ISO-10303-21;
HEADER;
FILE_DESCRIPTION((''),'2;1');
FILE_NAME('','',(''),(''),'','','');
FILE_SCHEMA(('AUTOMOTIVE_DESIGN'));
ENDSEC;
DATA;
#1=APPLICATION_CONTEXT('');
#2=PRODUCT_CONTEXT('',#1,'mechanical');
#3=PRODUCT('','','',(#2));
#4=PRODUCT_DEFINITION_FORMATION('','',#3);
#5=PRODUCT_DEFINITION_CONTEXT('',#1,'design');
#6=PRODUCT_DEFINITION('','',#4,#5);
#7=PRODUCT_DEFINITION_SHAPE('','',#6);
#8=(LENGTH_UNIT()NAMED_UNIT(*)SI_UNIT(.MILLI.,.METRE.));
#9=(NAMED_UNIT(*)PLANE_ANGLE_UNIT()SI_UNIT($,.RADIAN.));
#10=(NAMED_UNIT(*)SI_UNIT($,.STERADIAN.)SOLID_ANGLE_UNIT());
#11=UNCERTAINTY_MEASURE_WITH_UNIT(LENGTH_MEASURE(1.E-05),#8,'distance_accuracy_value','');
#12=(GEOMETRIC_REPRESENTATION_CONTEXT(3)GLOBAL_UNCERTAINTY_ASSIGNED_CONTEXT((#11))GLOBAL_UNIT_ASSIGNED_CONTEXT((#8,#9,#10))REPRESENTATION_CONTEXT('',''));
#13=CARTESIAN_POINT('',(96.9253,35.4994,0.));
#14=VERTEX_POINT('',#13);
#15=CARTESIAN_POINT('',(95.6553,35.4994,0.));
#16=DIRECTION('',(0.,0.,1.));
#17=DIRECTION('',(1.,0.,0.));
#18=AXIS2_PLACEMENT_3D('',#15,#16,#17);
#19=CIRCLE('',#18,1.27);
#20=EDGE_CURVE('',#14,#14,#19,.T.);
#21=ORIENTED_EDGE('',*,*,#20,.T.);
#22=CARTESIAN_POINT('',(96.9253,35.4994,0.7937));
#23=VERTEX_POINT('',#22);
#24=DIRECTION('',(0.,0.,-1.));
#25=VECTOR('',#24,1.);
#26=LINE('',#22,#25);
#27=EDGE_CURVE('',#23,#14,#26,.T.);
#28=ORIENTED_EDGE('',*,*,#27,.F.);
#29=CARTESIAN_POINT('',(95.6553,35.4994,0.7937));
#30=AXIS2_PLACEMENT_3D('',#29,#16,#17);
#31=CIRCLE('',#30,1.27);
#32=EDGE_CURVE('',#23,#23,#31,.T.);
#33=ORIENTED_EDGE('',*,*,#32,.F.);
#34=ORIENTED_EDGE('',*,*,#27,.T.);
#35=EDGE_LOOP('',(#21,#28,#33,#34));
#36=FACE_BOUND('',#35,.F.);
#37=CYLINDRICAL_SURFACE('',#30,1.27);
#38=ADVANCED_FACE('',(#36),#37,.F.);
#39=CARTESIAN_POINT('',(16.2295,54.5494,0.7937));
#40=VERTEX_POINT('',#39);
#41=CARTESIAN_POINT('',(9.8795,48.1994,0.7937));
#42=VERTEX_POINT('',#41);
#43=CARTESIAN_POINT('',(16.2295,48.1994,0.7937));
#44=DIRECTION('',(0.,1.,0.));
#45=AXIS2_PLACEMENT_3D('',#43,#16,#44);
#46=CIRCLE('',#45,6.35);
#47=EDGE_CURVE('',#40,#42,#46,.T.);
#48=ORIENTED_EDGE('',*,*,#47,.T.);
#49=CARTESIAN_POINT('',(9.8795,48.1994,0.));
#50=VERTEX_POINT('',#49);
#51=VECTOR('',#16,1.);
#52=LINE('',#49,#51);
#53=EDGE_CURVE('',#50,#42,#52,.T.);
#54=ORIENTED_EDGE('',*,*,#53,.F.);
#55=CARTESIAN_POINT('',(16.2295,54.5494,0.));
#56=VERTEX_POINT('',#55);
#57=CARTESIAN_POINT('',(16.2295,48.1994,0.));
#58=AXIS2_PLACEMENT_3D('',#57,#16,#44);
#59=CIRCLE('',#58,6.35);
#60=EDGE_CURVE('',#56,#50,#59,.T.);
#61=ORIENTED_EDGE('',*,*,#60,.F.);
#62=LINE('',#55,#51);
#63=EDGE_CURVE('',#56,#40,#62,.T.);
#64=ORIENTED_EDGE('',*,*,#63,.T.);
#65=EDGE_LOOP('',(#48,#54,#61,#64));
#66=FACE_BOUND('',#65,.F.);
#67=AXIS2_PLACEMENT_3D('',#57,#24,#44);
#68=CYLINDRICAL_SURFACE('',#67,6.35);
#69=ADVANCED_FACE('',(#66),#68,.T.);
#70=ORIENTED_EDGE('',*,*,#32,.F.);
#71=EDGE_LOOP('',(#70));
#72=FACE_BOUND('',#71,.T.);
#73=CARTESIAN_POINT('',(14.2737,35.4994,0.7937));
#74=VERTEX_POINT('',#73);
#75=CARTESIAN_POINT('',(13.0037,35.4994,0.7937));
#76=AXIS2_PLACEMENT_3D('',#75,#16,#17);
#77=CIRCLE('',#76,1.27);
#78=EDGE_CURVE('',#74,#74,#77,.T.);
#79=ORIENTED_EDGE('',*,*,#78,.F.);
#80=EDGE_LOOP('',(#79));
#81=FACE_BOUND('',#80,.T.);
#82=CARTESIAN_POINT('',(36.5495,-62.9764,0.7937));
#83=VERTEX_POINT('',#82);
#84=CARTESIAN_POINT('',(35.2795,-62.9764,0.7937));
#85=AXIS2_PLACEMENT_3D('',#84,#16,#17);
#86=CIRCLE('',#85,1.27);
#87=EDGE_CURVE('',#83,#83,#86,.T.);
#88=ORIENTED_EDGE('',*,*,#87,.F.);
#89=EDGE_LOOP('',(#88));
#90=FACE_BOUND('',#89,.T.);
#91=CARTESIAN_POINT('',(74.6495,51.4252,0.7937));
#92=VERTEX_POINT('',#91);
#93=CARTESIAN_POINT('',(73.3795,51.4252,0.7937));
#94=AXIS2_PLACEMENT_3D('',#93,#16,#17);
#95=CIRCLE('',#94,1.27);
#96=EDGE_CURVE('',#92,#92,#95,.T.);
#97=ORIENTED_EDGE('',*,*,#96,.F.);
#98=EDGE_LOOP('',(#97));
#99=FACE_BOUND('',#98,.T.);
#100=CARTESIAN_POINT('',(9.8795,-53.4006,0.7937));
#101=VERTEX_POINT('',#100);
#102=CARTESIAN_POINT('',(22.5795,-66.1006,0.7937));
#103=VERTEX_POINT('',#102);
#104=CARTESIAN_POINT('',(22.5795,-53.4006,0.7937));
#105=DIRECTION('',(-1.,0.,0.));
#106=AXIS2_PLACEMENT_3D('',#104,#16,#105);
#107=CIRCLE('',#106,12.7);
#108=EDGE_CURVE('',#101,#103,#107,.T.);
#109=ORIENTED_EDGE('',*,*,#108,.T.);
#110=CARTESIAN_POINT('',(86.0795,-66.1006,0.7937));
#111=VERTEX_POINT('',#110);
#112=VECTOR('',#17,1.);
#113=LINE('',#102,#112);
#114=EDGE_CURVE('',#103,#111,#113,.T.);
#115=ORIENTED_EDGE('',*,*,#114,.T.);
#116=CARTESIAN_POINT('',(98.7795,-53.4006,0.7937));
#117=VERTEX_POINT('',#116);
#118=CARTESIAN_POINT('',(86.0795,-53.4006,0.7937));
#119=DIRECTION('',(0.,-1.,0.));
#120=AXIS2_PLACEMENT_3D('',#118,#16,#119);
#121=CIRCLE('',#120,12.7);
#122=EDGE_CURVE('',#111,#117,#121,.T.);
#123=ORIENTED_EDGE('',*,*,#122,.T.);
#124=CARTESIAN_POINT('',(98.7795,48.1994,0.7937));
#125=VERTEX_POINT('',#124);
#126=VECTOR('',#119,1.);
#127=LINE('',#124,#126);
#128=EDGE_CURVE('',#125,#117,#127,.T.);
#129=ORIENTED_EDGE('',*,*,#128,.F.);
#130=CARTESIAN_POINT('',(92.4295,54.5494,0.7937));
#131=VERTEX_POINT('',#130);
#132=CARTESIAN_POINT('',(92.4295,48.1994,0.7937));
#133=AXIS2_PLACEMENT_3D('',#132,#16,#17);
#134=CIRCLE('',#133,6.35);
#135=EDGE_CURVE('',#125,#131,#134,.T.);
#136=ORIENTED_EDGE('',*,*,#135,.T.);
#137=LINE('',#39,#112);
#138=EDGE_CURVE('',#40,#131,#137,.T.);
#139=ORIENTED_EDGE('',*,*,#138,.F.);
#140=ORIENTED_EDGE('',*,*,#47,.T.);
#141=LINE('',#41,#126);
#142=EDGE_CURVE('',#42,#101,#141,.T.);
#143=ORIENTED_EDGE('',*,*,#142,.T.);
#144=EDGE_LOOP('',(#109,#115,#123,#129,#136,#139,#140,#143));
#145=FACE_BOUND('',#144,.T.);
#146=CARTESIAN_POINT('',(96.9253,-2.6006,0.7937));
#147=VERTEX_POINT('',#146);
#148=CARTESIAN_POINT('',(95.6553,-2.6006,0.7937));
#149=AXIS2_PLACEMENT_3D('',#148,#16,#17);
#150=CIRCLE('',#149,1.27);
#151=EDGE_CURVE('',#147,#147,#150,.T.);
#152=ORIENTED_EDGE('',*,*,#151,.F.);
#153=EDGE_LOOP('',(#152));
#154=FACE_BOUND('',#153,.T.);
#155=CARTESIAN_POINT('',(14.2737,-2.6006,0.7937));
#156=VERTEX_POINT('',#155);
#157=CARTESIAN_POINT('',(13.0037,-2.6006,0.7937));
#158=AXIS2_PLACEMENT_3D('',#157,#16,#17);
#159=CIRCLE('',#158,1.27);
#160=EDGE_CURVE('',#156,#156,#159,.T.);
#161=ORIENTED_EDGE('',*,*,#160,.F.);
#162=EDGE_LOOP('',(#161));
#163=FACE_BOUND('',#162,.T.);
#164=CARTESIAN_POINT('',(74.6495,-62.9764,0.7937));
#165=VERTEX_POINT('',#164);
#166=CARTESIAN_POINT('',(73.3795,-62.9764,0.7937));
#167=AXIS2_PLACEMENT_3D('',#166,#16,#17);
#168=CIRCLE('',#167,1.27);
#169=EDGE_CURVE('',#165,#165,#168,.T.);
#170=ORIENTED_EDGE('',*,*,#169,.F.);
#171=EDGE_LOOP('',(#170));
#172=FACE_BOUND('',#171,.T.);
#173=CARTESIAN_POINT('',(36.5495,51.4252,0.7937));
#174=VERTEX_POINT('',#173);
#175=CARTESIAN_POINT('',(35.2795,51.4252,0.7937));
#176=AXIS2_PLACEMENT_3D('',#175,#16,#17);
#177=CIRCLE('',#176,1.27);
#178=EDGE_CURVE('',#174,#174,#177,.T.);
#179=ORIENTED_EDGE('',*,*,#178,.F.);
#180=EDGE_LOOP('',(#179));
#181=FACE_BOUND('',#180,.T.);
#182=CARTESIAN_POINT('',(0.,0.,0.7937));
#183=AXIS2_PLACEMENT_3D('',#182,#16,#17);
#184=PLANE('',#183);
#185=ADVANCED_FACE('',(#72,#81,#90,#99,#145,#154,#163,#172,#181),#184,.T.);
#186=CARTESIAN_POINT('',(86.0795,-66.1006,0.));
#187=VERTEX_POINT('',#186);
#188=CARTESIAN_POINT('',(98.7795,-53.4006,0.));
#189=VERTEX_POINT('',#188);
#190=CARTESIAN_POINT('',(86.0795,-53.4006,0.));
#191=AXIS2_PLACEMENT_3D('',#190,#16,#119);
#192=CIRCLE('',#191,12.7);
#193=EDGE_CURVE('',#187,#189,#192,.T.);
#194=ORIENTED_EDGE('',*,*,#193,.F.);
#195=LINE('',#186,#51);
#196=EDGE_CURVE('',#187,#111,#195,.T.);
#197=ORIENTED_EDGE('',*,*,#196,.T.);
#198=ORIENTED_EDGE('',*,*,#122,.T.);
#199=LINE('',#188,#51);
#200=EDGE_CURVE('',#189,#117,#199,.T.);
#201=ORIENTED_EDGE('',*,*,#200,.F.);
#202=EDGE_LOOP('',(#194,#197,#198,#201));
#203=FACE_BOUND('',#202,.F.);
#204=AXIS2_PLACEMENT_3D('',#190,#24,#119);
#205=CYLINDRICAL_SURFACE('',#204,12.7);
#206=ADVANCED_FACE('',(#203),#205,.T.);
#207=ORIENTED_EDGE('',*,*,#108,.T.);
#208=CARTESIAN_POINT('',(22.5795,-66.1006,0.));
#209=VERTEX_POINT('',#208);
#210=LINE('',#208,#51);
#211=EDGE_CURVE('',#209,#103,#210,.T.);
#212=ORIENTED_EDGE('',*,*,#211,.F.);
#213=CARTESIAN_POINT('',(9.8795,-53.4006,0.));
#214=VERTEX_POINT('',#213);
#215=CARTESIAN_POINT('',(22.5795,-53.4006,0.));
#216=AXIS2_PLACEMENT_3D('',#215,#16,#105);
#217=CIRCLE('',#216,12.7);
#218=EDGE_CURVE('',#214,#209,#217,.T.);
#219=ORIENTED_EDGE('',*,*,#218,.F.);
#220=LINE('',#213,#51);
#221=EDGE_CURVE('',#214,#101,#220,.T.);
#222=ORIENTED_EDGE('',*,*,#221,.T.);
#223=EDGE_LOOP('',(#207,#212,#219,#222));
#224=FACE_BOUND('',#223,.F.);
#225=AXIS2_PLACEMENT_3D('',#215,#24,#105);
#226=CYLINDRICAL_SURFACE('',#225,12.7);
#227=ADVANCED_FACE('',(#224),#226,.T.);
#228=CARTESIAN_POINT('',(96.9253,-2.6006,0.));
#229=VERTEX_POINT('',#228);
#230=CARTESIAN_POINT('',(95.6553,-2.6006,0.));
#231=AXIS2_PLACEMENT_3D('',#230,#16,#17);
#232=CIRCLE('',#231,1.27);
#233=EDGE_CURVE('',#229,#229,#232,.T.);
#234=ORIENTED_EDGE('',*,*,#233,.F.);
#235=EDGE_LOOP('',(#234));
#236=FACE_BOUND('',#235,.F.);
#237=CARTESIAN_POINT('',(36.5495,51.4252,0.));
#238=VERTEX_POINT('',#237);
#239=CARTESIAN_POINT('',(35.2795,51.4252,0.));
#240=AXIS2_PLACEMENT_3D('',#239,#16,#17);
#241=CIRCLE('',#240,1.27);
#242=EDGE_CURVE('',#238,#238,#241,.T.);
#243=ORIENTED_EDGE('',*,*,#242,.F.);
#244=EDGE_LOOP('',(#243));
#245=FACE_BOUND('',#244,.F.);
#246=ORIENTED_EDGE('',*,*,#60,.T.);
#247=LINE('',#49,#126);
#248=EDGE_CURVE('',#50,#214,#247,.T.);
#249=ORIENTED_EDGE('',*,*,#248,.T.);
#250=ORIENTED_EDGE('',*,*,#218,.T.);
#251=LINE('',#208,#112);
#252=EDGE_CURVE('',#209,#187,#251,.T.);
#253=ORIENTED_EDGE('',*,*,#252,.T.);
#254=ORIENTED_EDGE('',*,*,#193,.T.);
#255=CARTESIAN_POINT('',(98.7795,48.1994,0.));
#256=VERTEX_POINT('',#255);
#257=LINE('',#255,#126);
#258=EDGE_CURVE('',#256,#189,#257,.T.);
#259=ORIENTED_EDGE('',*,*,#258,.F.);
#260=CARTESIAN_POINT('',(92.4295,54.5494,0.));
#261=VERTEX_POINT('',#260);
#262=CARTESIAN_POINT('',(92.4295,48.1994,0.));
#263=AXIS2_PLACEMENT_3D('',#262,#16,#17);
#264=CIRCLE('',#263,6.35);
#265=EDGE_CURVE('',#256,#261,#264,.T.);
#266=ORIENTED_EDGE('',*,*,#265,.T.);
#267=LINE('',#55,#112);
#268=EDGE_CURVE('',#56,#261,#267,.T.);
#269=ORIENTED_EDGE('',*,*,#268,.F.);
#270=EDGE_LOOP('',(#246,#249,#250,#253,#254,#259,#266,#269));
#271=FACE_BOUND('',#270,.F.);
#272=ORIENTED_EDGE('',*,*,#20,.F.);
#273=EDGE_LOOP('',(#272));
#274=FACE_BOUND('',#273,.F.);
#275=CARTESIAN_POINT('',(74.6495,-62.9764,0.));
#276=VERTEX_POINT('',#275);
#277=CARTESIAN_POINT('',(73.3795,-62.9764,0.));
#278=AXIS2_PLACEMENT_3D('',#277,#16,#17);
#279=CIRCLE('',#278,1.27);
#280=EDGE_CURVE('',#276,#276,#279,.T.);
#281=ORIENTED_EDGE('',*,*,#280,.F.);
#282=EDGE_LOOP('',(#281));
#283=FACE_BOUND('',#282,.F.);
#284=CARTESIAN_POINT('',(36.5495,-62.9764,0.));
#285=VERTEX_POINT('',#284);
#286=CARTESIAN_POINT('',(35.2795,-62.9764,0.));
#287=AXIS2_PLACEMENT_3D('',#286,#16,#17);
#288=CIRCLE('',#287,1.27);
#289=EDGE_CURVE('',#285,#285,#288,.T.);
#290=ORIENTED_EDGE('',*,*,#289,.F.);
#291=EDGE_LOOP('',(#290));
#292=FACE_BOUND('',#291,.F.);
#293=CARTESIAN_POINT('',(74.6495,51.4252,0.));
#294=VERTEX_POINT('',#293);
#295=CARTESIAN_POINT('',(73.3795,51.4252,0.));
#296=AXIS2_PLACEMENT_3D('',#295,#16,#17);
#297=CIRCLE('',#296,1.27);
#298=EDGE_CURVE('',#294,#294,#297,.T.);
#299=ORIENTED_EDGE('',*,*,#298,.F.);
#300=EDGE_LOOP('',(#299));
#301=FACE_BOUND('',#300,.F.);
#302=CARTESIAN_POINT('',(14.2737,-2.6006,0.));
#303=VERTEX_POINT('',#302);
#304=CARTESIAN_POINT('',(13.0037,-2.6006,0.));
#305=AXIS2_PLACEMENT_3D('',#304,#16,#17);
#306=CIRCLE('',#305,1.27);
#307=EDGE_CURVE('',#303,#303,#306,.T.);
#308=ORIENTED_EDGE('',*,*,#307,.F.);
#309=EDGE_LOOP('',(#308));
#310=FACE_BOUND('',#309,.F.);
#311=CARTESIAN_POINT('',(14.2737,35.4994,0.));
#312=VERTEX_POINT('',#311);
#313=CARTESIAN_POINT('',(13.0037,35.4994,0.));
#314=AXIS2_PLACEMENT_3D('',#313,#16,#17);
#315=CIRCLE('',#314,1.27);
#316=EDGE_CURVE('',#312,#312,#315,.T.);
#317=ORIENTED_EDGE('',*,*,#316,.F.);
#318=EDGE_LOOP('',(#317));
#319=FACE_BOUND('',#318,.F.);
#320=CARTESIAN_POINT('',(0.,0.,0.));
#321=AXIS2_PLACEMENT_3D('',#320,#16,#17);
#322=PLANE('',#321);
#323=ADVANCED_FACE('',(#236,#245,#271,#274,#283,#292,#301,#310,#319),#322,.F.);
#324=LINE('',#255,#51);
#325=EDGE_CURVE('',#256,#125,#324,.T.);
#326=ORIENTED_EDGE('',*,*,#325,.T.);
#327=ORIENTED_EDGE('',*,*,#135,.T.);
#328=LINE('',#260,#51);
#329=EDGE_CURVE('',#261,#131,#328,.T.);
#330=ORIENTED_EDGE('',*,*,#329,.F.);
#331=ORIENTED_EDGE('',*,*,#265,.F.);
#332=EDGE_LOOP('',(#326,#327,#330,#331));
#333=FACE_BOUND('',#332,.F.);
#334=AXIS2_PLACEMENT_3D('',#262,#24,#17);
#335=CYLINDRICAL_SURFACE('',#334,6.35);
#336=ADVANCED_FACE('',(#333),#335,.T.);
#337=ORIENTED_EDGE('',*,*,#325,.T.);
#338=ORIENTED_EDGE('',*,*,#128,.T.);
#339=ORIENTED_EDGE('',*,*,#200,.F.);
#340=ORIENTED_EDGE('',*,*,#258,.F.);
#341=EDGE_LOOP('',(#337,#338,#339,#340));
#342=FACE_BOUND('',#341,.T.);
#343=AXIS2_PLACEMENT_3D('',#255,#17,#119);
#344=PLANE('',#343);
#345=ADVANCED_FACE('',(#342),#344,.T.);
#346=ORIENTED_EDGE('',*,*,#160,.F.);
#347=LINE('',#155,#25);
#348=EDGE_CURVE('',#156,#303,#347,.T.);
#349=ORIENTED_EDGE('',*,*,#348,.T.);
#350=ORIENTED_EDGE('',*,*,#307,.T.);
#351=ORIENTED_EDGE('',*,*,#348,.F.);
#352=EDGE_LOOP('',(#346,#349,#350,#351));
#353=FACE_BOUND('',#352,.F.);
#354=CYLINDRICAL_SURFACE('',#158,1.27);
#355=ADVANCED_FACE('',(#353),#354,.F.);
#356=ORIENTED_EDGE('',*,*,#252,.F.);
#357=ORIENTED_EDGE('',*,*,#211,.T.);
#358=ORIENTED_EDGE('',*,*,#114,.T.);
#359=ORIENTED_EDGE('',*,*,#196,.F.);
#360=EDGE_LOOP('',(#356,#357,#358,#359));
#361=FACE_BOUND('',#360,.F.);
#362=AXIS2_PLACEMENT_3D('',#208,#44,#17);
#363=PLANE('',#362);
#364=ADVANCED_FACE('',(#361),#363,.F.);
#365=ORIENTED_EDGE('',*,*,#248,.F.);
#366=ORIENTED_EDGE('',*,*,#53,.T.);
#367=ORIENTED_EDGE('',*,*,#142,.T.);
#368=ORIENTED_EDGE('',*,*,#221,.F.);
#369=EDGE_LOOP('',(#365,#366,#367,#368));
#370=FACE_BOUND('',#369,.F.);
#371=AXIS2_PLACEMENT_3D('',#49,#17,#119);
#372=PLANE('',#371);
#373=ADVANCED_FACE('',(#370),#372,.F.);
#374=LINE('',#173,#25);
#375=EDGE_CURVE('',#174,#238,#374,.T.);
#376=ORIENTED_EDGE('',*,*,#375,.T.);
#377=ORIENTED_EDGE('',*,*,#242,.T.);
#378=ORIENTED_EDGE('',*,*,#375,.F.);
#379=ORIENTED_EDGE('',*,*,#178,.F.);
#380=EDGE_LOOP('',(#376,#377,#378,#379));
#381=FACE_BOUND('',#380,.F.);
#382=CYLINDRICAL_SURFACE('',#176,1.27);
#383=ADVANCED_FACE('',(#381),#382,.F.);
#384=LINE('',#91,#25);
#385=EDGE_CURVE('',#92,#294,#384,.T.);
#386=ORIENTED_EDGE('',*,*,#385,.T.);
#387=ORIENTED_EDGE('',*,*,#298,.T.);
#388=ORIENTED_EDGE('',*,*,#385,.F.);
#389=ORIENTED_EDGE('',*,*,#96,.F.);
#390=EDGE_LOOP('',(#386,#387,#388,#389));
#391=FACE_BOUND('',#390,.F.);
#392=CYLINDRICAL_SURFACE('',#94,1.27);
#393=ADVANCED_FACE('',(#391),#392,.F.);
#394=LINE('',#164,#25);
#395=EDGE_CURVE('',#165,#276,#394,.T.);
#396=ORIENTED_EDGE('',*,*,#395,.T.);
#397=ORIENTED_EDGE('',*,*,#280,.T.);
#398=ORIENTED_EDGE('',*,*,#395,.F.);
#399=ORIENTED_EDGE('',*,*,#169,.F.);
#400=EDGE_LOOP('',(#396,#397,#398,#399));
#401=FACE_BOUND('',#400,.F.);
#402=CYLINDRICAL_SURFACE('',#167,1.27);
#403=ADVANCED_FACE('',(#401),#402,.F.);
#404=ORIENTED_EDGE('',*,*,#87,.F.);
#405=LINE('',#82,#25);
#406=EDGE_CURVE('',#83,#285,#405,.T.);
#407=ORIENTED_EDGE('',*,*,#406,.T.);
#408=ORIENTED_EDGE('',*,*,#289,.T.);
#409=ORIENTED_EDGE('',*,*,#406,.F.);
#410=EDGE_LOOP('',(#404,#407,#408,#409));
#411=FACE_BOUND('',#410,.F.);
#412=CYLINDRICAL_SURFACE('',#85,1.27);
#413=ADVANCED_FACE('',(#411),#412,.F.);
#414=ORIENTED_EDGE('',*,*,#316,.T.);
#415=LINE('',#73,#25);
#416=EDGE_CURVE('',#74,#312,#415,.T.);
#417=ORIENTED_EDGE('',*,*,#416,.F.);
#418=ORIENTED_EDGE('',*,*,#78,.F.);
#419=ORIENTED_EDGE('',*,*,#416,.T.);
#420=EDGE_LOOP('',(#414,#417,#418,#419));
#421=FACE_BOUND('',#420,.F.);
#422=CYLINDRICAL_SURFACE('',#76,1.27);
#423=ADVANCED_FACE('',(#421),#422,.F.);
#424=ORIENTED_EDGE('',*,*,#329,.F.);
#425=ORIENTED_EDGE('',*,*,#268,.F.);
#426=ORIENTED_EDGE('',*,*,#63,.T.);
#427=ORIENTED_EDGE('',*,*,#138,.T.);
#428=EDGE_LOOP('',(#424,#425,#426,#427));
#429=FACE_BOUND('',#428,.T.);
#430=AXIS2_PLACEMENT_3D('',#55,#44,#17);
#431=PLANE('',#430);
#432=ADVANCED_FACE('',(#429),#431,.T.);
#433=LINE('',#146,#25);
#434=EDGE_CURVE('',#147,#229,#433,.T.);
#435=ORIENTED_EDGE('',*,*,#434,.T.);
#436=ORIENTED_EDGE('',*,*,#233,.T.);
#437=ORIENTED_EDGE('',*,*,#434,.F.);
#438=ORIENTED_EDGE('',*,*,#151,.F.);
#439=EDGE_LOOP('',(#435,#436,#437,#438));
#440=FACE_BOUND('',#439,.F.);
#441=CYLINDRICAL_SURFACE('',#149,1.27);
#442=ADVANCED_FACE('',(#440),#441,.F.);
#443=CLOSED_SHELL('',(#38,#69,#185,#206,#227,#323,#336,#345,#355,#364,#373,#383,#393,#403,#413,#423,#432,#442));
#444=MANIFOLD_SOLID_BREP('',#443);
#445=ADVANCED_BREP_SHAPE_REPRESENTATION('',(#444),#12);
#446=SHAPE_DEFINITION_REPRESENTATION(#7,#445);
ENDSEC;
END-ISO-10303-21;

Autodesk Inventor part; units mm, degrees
ref_plane "YZ Plane" through (0, 0, 0) normal (1, 0, 0) x (0, 1, 0)
ref_plane "XZ Plane" through (0, 0, 0) normal (0, 1, 0) x (-1, 0, 0)
ref_plane "XY Plane" through (0, 0, 0) normal (0, 0, 1) x (1, 0, 0)
sketch "Sketch1" plane through (0, 0, 0) normal (0, 0, 1) x (1, 0, 0)
  line L0 (9.8795, 48.1994) -> (9.8795, -53.4006)
  line L1 (16.2295, 54.5494) -> (92.4295, 54.5494)
  line L2 (98.7795, 48.1994) -> (98.7795, -53.4006)
  line L3 (22.5795, -66.1006) -> (86.0795, -66.1006)
  arc A0 (9.8795, -53.4006) -> (22.5795, -66.1006) centre (22.5795, -53.4006) ccw
  arc A1 (16.2295, 54.5494) -> (9.8795, 48.1994) centre (16.2295, 48.1994) ccw
  arc A2 (98.7795, 48.1994) -> (92.4295, 54.5494) centre (92.4295, 48.1994) ccw
  arc A3 (86.0795, -66.1006) -> (98.7795, -53.4006) centre (86.0795, -53.4006) ccw
  point P0 (0, 0)
  dimension "d0" = 12.7
  dimension "d1" = 6.35
  dimension "d2" = 120.65
  dimension "d3" = 88.9
extrude "Extrusion1" add sketch "Sketch1" along normal blind 0.7937
sketch "Sketch11" plane through (0, 0, 0.7937) normal (0, 0, 1) x (1, 0, 0)
  line L0 (9.8795, -53.4006) -> (9.8795, 48.1994) projected
  line L1 (86.0795, -66.1006) -> (22.5795, -66.1006) projected
  line L2 (98.7795, 48.1994) -> (98.7795, -53.4006) projected
  line L3 (16.2295, 54.5494) -> (92.4295, 54.5494) projected
  circle A0 centre (35.2795, 51.4252) radius 1.27
  circle A1 centre (73.3795, 51.4252) radius 1.27
  circle A2 centre (13.0037, 35.4994) radius 1.27
  circle A3 centre (13.0037, -2.6006) radius 1.27
  circle A4 centre (35.2795, -62.9764) radius 1.27
  circle A5 centre (73.3795, -62.9764) radius 1.27
  circle A6 centre (95.6553, 35.4994) radius 1.27
  circle A7 centre (95.6553, -2.6006) radius 1.27
  point P0 (0, 0)
  dimension "d122" = 3.1242
  dimension "d123" = 3.1242
  dimension "d124" = 3.1242
  dimension "d125" = 3.1242
  dimension "d126" = 25.4
  dimension "d127" = 38.1
  dimension "d128" = 19.05
  dimension "d129" = 38.1
  dimension "d130" = 2.54
extrude "Extrusion19" cut sketch "Sketch11" against normal through all
properties part number "beagle_spacer_top"
